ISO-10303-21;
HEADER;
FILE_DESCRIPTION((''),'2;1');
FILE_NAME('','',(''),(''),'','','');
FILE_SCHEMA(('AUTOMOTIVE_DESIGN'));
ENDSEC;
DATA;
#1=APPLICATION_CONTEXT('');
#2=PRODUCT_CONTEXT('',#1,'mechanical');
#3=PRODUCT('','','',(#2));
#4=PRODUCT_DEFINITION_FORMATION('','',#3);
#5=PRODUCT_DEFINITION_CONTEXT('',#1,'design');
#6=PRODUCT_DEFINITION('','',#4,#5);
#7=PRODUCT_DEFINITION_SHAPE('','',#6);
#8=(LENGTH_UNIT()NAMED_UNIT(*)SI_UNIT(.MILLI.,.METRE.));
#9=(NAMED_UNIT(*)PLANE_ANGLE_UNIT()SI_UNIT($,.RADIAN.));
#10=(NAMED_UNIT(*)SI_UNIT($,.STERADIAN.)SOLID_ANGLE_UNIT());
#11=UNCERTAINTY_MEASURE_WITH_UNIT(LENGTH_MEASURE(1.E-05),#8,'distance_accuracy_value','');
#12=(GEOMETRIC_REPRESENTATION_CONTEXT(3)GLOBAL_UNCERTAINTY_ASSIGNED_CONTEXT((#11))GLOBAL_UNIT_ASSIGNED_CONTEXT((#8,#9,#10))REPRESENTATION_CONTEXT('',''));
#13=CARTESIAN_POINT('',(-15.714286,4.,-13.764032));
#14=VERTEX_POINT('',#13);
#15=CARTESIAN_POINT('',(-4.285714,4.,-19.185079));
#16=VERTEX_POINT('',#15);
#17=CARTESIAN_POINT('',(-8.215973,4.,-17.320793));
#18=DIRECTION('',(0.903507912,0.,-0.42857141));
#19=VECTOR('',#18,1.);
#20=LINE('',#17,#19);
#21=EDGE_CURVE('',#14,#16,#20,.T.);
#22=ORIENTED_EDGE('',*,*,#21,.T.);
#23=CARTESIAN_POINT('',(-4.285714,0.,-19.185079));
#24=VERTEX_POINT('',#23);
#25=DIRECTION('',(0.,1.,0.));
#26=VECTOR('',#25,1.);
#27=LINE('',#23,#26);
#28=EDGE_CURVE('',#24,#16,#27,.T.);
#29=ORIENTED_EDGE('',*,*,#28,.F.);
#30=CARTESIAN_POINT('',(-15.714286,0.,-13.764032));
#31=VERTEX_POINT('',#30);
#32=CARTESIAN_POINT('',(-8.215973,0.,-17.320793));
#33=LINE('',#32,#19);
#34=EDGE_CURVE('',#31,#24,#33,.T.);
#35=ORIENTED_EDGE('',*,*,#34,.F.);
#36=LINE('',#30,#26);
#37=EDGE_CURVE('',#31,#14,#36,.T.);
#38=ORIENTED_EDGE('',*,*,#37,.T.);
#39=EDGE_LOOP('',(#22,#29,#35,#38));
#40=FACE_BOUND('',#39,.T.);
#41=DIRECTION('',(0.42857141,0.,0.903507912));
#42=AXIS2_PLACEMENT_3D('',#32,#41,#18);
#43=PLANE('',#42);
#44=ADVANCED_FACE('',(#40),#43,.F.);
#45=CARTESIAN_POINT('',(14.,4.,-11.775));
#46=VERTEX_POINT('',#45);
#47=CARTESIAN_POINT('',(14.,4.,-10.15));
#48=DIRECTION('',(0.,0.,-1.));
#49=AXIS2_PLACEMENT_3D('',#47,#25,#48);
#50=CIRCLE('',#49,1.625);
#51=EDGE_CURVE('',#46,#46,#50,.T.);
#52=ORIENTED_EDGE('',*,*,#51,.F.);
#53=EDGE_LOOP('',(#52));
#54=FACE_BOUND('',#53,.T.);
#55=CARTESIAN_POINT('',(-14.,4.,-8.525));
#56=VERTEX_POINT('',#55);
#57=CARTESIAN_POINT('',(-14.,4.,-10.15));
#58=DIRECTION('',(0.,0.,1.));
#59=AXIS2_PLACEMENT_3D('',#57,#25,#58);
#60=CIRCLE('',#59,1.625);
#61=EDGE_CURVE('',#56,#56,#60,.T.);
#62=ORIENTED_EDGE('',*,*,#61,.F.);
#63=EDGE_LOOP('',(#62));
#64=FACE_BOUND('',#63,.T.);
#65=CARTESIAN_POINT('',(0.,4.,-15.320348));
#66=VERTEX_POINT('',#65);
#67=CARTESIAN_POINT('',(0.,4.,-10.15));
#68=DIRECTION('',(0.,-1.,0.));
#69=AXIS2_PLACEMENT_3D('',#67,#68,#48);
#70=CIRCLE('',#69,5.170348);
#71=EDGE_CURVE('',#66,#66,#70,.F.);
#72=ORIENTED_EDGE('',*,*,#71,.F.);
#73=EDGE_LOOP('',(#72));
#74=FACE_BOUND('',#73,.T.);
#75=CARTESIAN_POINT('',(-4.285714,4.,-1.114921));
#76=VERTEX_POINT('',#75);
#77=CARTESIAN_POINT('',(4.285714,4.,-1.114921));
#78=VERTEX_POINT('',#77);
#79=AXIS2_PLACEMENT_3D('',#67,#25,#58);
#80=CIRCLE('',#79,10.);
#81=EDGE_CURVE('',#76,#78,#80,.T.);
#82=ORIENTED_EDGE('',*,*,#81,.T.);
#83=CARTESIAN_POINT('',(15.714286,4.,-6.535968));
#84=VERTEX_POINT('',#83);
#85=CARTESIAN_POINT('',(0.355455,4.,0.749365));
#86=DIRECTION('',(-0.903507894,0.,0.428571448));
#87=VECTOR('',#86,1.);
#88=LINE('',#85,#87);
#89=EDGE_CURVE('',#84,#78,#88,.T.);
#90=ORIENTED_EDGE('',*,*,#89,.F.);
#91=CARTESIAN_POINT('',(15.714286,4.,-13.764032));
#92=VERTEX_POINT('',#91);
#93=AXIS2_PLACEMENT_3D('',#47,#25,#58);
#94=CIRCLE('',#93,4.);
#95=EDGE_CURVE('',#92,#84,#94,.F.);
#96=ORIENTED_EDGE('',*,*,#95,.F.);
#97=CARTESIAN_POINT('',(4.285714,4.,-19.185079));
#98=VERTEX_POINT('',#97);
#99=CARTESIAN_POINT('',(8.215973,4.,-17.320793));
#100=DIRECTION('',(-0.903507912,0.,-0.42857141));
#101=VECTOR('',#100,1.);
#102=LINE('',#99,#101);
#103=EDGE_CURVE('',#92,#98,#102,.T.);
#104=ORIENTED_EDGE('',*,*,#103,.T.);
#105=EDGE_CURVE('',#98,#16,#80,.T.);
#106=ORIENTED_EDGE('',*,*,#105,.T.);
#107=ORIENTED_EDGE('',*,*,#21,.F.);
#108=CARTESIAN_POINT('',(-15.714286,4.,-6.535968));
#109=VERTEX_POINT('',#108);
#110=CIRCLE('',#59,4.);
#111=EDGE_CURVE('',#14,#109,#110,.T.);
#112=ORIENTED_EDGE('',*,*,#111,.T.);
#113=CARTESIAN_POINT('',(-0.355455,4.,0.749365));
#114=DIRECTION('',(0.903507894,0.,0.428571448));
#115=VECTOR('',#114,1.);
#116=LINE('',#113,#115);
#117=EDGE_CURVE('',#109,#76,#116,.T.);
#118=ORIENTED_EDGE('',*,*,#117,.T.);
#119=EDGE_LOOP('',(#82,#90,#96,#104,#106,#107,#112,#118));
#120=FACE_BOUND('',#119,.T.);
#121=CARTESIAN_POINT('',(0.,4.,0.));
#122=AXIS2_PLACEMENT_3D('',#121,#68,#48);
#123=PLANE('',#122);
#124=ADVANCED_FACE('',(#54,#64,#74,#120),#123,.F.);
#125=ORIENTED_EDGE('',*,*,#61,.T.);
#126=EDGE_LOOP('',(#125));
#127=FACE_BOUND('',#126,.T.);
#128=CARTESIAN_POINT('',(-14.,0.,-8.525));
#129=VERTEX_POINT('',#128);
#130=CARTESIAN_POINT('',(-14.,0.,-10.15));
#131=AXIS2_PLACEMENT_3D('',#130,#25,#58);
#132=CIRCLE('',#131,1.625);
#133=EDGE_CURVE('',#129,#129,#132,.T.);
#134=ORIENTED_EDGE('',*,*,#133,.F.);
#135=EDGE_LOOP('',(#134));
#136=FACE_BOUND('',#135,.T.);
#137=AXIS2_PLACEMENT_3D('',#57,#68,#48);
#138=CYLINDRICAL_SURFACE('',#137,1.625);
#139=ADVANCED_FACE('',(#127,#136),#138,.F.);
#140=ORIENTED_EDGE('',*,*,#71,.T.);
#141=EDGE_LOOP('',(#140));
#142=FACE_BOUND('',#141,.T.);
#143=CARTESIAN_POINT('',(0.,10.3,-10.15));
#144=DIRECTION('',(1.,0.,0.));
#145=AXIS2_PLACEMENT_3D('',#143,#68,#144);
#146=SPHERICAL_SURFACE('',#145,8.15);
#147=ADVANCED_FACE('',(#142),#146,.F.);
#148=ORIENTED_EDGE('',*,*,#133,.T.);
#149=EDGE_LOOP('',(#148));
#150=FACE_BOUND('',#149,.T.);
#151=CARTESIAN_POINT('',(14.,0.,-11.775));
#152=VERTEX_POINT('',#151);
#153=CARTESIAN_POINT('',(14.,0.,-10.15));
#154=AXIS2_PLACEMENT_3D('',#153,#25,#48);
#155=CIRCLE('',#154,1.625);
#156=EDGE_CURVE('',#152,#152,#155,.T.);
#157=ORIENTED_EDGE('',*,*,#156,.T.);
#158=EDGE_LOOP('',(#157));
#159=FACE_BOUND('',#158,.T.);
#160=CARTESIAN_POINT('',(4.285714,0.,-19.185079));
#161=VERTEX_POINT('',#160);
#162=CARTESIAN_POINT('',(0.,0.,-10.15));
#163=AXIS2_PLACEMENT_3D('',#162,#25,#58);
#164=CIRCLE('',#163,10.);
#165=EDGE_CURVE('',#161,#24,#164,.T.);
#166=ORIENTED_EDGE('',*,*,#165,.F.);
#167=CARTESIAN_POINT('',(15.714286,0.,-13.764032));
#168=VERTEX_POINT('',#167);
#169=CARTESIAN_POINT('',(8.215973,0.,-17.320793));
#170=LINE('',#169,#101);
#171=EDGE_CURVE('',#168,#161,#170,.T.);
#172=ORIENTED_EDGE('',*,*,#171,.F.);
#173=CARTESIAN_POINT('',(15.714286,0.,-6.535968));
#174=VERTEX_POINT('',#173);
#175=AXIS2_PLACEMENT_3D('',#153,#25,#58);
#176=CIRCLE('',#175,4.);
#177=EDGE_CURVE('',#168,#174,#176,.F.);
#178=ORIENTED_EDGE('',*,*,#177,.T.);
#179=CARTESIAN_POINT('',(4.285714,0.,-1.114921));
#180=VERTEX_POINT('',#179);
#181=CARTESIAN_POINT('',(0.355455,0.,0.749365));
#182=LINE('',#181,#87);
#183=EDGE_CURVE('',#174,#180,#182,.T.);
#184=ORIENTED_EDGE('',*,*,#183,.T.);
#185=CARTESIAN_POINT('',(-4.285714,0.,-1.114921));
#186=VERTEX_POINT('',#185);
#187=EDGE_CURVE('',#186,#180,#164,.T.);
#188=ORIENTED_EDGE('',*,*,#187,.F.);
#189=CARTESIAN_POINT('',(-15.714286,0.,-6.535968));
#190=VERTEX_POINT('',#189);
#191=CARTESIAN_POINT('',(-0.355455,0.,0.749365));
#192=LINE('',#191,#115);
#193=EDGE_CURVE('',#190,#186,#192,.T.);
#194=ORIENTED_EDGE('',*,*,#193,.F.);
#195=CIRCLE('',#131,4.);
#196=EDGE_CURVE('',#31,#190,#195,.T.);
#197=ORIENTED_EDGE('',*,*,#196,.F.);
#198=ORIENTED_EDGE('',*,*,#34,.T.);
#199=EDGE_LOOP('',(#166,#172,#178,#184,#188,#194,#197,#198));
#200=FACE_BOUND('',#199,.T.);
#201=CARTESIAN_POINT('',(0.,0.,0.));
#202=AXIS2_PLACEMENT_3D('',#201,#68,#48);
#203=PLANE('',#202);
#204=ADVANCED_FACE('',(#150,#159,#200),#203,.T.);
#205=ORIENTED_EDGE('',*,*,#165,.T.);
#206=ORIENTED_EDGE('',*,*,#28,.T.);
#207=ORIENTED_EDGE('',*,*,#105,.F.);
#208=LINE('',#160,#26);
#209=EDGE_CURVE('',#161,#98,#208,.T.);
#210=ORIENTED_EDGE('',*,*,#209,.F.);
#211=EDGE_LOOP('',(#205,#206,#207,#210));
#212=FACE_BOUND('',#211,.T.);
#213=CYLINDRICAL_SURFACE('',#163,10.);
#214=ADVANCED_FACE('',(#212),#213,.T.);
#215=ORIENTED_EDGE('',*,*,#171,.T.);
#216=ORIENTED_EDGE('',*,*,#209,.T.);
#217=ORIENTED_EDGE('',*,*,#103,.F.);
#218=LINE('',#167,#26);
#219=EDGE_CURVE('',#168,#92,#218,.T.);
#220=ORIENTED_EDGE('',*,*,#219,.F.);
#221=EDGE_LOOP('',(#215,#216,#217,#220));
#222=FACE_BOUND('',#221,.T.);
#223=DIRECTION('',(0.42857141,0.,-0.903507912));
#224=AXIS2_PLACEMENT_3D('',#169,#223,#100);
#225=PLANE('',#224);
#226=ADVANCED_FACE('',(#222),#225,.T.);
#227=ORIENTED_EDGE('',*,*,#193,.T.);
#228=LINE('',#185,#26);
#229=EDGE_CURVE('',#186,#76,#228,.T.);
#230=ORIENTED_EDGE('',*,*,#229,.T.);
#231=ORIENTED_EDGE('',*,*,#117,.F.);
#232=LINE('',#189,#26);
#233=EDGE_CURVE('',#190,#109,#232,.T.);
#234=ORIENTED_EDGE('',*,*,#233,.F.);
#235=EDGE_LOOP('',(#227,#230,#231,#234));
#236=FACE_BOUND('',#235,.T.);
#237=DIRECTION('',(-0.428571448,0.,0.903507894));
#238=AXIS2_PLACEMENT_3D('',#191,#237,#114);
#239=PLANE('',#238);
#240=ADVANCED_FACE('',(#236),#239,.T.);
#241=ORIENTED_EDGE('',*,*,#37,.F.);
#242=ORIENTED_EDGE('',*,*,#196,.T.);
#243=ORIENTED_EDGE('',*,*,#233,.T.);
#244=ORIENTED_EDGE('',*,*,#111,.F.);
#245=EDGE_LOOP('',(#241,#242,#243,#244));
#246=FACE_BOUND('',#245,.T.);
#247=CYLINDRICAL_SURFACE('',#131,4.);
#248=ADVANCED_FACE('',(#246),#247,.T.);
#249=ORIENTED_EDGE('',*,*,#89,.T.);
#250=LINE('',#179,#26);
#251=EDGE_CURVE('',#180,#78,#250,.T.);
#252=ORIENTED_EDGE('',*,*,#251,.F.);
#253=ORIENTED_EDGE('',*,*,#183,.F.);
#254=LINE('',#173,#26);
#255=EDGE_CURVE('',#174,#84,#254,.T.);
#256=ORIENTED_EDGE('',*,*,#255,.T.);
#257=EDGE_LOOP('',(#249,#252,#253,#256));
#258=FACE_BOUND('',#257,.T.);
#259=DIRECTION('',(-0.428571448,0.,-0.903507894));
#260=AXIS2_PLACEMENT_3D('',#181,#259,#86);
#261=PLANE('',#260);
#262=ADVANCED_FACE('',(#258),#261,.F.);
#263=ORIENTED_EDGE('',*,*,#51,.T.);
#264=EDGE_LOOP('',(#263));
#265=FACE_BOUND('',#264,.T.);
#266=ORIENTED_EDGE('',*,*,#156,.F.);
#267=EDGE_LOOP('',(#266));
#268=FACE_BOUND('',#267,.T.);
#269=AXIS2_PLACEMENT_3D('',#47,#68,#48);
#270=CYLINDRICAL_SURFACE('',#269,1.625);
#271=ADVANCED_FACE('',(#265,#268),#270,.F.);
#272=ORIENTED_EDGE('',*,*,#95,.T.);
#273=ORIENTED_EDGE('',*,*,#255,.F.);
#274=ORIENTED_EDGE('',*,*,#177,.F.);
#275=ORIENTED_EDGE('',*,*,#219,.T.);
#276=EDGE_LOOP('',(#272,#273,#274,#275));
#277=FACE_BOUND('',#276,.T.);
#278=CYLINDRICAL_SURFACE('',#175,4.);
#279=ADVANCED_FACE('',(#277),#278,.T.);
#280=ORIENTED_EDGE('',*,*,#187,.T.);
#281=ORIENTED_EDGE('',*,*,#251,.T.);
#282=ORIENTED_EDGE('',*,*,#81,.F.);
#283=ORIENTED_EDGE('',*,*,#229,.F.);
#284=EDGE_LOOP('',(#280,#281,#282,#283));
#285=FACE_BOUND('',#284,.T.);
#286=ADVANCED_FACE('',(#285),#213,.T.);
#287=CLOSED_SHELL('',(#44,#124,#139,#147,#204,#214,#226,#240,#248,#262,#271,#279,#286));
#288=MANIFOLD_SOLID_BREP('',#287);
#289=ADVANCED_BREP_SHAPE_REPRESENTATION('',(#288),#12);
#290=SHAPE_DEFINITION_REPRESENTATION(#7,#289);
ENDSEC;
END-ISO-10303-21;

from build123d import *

# Parameters (mm, degrees)
CROQUIS1_W              = 36
CROQUIS1_H              = 20.3
CROQUIS1_R              = 1.625
SALIENTE_EXTRUIR1_DEPTH = 4
CORTAR_EXTRUIR2_DEPTH   = 28.424259334


with BuildPart() as part:
    # Croquis1 → Saliente-Extruir1 (new body)
    with BuildSketch(Plane(origin=(0, 0, 0), x_dir=(1, 0, 0), z_dir=(0, 1, 0))):
        with Locations((0, 10.15)):
            Rectangle(CROQUIS1_W, CROQUIS1_H)
        with Locations(Location((-14, 10.15, 0), (0, 0, 270))):
            Circle(CROQUIS1_R, mode=Mode.SUBTRACT)
        with Locations(Location((14, 10.15, 0), (0, 0, 90))):
            Circle(CROQUIS1_R, mode=Mode.SUBTRACT)
    extrude(amount=SALIENTE_EXTRUIR1_DEPTH)

    # Croquis2 → Cortar-Revolución1 (revolve, cut)
    with BuildSketch(Plane.XY.offset(-10.15)):
        with BuildLine():
            Line((0, 18.45), (0, 2.15))
            ThreePointArc((0, 2.15), (-8.15, 10.3), (0, 18.45))
        make_face()
    revolve(axis=Axis((0, -1000, -10.15), (0, 1, 0)), mode=Mode.SUBTRACT)

    # Croquis3 → Cortar-Extruir2 (cut, through all)
    with BuildSketch(Plane(origin=(0, 4, 0), x_dir=(1, 0, 0), z_dir=(0, 1, 0))):
        with BuildLine():
            ThreePointArc((-18, 10.15), (-17.380616997, 12.288089971), (-15.714285638, 13.764031648))
            Line((-15.714285638, 13.764031648), (-4.285714096, 19.185078825))
            ThreePointArc((-4.285714096, 19.185078825), (1.05e-07, 20.149999706), (4.285714286, 19.185078735))
            Line((4.285714286, 19.185078735), (15.714285714, 13.764031612))
            ThreePointArc((15.714285714, 13.764031612), (17.380617007, 12.288089954), (18, 10.150000044))
            Line((18, 10.150000044), (18, 20.3))
            Line((18, 20.3), (-18, 20.3))
            Line((-18, 20.3), (-18, 10.15))
        make_face()
        with BuildLine():
            ThreePointArc((-15.714285714, 6.535968388), (-17.380617019, 8.011910065), (-18, 10.15))
            Line((-18, 10.15), (-18, -5.88e-07))
            Line((-18, -5.88e-07), (18, -5.88e-07))
            Line((18, -5.88e-07), (18, 10.150000044))
            ThreePointArc((18, 10.150000044), (17.380617031, 8.011910083), (15.714285714, 6.535968388))
            Line((15.714285714, 6.535968388), (4.285714286, 1.114920677))
            ThreePointArc((4.285714286, 1.114920677), (0, 0.149999706), (-4.285714286, 1.114920677))
            Line((-4.285714286, 1.114920677), (-15.714285714, 6.535968388))
        make_face()
    extrude(amount=-CORTAR_EXTRUIR2_DEPTH, mode=Mode.SUBTRACT)


solid = part.part
